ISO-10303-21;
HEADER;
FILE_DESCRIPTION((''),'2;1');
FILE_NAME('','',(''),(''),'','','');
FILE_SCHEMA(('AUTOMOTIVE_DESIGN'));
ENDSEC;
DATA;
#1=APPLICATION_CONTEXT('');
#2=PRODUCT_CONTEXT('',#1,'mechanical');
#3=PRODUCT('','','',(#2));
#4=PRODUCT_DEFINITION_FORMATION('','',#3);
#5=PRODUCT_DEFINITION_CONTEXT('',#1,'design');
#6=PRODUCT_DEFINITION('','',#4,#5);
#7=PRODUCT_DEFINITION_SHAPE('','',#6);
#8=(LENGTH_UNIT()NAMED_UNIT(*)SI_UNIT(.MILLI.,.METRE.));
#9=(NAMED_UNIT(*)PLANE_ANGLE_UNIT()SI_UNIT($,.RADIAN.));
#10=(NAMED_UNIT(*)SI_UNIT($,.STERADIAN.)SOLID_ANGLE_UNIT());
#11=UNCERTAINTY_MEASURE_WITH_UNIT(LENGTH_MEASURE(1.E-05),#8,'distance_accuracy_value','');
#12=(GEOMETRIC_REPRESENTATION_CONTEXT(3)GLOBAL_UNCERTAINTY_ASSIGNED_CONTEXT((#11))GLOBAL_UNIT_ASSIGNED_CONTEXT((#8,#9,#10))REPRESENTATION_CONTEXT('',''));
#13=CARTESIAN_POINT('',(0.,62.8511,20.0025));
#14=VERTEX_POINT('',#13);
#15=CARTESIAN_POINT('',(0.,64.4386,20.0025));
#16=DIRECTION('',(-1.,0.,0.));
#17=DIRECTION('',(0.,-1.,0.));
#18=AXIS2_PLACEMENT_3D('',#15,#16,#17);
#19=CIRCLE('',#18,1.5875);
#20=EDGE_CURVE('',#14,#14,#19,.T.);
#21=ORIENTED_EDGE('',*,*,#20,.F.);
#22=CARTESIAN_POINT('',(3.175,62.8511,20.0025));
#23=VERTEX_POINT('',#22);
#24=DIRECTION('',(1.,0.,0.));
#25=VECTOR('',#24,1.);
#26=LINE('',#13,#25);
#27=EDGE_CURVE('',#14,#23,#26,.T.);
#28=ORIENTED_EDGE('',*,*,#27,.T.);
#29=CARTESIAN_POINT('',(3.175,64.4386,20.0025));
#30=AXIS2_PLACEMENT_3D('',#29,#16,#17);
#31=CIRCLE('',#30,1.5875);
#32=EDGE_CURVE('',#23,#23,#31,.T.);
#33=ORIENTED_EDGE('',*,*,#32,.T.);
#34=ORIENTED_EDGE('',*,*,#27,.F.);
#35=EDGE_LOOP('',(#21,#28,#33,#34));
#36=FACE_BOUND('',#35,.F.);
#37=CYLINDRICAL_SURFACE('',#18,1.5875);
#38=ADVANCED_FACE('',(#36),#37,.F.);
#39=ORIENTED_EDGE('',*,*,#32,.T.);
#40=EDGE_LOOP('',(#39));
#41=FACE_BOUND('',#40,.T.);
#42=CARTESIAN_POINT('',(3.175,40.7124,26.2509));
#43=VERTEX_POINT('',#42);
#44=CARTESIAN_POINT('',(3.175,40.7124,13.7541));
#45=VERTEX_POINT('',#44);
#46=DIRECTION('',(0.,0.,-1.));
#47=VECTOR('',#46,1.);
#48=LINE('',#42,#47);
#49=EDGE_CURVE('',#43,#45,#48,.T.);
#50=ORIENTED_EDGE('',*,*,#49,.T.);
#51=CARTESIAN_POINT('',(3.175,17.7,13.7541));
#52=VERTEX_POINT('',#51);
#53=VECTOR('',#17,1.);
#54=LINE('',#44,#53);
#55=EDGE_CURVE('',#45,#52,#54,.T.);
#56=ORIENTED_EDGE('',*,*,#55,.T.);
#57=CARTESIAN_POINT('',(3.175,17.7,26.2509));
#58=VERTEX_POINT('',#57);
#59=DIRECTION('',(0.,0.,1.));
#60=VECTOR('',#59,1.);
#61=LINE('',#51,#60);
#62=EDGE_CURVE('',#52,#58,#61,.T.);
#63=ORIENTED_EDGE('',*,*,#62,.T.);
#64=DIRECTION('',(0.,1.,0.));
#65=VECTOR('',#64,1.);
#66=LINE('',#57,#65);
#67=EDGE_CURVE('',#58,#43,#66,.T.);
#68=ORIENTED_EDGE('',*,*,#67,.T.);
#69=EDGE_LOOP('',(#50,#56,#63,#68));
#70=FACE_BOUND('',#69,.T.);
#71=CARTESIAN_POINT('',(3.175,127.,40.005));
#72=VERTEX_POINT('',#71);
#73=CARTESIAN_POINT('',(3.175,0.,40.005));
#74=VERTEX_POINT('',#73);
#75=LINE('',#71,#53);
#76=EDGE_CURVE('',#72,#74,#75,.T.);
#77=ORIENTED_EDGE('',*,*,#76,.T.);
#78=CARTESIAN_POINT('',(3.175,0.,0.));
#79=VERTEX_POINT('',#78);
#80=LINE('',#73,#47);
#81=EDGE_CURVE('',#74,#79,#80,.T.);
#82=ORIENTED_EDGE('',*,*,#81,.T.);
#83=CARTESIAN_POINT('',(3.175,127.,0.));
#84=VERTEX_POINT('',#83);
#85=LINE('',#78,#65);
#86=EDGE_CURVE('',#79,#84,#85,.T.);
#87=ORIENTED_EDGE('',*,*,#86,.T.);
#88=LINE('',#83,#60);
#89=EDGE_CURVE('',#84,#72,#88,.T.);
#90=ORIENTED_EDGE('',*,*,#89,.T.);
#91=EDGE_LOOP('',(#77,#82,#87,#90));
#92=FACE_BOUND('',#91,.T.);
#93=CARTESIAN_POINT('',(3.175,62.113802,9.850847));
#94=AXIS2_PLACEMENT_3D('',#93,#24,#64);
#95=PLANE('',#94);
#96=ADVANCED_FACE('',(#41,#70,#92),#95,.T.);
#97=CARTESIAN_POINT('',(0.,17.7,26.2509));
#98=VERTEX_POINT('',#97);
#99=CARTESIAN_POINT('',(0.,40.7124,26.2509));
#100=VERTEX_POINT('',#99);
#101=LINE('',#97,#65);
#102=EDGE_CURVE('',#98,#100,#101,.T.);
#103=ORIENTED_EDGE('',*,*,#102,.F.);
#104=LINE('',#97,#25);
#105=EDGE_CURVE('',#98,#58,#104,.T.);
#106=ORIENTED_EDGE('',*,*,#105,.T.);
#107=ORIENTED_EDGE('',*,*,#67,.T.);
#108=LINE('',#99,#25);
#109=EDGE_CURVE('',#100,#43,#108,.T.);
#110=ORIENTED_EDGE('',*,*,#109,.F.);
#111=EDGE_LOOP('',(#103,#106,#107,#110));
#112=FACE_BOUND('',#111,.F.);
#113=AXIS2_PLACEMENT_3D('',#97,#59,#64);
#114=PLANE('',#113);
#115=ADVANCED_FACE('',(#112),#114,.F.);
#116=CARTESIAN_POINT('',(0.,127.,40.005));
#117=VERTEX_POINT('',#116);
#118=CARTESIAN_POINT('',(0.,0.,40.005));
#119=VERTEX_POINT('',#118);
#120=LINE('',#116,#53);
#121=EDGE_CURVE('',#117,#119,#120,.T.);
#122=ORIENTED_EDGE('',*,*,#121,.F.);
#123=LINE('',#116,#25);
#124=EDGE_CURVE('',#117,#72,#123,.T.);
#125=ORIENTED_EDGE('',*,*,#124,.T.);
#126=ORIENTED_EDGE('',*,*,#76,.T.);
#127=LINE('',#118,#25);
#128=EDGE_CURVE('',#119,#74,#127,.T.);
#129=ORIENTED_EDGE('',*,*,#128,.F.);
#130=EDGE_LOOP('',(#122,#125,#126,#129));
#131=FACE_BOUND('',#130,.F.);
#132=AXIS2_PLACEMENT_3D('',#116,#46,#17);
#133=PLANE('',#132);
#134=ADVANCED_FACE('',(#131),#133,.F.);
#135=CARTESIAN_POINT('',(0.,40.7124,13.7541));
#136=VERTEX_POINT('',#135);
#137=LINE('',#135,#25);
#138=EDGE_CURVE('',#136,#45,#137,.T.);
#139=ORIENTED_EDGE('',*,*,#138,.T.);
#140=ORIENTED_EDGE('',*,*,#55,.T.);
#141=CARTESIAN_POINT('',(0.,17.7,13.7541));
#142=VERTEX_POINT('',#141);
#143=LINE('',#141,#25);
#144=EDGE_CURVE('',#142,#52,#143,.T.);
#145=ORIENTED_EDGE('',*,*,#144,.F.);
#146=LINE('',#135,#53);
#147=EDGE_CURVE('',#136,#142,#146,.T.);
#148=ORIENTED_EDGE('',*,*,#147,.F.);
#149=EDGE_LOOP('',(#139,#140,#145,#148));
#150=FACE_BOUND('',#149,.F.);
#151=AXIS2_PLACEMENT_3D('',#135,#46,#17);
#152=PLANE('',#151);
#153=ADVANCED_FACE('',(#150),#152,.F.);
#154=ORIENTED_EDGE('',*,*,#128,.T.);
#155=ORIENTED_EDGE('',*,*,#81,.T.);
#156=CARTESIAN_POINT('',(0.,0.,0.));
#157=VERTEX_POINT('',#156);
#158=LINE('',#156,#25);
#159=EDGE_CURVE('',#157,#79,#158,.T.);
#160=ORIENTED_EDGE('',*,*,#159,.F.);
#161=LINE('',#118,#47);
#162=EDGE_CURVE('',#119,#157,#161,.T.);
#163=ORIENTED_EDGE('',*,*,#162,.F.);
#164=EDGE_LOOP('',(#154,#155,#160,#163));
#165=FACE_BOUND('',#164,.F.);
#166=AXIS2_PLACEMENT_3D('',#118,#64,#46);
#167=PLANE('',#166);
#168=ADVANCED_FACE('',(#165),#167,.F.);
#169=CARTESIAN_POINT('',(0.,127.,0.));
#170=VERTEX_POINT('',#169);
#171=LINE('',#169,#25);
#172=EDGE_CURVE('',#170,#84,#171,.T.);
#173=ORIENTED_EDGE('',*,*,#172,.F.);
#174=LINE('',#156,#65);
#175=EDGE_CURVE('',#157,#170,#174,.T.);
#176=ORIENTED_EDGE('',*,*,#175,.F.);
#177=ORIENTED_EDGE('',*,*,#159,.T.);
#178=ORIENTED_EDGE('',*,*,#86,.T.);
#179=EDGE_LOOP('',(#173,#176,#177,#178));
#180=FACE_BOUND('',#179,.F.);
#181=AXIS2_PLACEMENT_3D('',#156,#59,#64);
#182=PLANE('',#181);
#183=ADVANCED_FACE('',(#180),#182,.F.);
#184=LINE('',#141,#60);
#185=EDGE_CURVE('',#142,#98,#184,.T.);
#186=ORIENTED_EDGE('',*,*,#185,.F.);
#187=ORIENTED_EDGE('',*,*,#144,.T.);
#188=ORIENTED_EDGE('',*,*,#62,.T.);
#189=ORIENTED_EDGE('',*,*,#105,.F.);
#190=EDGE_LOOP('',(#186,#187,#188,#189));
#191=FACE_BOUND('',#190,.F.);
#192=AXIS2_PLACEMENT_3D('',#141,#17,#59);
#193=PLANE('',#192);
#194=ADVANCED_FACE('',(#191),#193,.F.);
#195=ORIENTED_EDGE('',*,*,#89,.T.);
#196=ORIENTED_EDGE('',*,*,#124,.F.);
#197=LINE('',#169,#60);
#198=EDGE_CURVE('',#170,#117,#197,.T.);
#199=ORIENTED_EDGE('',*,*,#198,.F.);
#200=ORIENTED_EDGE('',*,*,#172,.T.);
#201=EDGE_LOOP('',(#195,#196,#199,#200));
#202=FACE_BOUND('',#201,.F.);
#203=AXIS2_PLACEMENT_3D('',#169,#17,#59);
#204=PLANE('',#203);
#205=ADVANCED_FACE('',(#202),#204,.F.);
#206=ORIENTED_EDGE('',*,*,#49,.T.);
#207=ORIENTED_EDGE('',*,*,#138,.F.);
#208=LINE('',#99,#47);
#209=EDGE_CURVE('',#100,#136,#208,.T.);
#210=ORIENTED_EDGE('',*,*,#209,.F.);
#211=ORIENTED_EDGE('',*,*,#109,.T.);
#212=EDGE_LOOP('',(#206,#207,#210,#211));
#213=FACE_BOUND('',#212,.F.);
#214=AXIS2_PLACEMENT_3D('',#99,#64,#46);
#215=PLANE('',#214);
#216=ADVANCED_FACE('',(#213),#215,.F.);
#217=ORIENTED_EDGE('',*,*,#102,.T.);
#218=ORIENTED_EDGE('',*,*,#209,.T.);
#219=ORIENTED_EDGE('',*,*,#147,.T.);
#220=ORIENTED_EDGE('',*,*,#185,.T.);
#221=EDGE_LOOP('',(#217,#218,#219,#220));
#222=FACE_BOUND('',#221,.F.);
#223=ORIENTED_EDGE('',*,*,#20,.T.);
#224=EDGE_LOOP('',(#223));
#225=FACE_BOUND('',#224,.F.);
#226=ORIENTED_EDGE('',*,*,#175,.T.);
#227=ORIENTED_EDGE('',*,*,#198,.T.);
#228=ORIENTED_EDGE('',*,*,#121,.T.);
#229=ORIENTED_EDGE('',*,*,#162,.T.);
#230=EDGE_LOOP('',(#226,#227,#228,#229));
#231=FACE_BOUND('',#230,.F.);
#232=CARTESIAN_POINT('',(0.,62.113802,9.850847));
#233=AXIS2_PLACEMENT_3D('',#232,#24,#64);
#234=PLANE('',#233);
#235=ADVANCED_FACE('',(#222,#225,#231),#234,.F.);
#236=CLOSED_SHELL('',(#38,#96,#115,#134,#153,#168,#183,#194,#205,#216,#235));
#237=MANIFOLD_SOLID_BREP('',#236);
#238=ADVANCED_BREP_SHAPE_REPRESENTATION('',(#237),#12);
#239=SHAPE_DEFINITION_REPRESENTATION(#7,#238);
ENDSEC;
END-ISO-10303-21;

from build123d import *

# Parameters (mm, degrees)
F1_DEPTH = 3.175


with BuildPart() as f1:
    # F0 (on Right) → F1 (new body)
    with BuildSketch(Plane.YZ):
        with BuildLine():
            Line((0, 20.0025), (0, 0))
            Line((0, 0), (127, 0))
            Line((127, 0), (127, 20.0025))
            Line((127, 20.0025), (122, 20.0025))
            Line((122, 20.0025), (66.0261, 20.0025))
            ThreePointArc((66.0261, 20.0025), (64.4386, 18.415), (62.8511, 20.0025))
            Line((62.8511, 20.0025), (59.2062, 20.0025))
            Line((59.2062, 20.0025), (44.4386, 20.0025))
            Line((44.4386, 20.0025), (40.7124, 20.0025))
            Line((40.7124, 20.0025), (40.7124, 13.7541))
            Line((40.7124, 13.7541), (34.4386, 13.7541))
            Line((34.4386, 13.7541), (17.7, 13.7541))
            Line((17.7, 13.7541), (17.7, 20.0025))
            Line((17.7, 20.0025), (5, 20.0025))
            Line((5, 20.0025), (0, 20.0025))
        make_face()
        with BuildLine():
            Line((0, 40.005), (0, 20.0025))
            Line((0, 20.0025), (5, 20.0025))
            Line((5, 20.0025), (17.7, 20.0025))
            Line((17.7, 20.0025), (17.7, 26.2509))
            Line((17.7, 26.2509), (40.7124, 26.2509))
            Line((40.7124, 26.2509), (40.7124, 20.0025))
            Line((40.7124, 20.0025), (44.4386, 20.0025))
            Line((44.4386, 20.0025), (59.2062, 20.0025))
            Line((59.2062, 20.0025), (62.8511, 20.0025))
            ThreePointArc((62.8511, 20.0025), (64.4386, 21.59), (66.0261, 20.0025))
            Line((66.0261, 20.0025), (122, 20.0025))
            Line((122, 20.0025), (127, 20.0025))
            Line((127, 20.0025), (127, 40.005))
            Line((127, 40.005), (0, 40.005))
        make_face()
    extrude(amount=F1_DEPTH)


solid = f1.part
